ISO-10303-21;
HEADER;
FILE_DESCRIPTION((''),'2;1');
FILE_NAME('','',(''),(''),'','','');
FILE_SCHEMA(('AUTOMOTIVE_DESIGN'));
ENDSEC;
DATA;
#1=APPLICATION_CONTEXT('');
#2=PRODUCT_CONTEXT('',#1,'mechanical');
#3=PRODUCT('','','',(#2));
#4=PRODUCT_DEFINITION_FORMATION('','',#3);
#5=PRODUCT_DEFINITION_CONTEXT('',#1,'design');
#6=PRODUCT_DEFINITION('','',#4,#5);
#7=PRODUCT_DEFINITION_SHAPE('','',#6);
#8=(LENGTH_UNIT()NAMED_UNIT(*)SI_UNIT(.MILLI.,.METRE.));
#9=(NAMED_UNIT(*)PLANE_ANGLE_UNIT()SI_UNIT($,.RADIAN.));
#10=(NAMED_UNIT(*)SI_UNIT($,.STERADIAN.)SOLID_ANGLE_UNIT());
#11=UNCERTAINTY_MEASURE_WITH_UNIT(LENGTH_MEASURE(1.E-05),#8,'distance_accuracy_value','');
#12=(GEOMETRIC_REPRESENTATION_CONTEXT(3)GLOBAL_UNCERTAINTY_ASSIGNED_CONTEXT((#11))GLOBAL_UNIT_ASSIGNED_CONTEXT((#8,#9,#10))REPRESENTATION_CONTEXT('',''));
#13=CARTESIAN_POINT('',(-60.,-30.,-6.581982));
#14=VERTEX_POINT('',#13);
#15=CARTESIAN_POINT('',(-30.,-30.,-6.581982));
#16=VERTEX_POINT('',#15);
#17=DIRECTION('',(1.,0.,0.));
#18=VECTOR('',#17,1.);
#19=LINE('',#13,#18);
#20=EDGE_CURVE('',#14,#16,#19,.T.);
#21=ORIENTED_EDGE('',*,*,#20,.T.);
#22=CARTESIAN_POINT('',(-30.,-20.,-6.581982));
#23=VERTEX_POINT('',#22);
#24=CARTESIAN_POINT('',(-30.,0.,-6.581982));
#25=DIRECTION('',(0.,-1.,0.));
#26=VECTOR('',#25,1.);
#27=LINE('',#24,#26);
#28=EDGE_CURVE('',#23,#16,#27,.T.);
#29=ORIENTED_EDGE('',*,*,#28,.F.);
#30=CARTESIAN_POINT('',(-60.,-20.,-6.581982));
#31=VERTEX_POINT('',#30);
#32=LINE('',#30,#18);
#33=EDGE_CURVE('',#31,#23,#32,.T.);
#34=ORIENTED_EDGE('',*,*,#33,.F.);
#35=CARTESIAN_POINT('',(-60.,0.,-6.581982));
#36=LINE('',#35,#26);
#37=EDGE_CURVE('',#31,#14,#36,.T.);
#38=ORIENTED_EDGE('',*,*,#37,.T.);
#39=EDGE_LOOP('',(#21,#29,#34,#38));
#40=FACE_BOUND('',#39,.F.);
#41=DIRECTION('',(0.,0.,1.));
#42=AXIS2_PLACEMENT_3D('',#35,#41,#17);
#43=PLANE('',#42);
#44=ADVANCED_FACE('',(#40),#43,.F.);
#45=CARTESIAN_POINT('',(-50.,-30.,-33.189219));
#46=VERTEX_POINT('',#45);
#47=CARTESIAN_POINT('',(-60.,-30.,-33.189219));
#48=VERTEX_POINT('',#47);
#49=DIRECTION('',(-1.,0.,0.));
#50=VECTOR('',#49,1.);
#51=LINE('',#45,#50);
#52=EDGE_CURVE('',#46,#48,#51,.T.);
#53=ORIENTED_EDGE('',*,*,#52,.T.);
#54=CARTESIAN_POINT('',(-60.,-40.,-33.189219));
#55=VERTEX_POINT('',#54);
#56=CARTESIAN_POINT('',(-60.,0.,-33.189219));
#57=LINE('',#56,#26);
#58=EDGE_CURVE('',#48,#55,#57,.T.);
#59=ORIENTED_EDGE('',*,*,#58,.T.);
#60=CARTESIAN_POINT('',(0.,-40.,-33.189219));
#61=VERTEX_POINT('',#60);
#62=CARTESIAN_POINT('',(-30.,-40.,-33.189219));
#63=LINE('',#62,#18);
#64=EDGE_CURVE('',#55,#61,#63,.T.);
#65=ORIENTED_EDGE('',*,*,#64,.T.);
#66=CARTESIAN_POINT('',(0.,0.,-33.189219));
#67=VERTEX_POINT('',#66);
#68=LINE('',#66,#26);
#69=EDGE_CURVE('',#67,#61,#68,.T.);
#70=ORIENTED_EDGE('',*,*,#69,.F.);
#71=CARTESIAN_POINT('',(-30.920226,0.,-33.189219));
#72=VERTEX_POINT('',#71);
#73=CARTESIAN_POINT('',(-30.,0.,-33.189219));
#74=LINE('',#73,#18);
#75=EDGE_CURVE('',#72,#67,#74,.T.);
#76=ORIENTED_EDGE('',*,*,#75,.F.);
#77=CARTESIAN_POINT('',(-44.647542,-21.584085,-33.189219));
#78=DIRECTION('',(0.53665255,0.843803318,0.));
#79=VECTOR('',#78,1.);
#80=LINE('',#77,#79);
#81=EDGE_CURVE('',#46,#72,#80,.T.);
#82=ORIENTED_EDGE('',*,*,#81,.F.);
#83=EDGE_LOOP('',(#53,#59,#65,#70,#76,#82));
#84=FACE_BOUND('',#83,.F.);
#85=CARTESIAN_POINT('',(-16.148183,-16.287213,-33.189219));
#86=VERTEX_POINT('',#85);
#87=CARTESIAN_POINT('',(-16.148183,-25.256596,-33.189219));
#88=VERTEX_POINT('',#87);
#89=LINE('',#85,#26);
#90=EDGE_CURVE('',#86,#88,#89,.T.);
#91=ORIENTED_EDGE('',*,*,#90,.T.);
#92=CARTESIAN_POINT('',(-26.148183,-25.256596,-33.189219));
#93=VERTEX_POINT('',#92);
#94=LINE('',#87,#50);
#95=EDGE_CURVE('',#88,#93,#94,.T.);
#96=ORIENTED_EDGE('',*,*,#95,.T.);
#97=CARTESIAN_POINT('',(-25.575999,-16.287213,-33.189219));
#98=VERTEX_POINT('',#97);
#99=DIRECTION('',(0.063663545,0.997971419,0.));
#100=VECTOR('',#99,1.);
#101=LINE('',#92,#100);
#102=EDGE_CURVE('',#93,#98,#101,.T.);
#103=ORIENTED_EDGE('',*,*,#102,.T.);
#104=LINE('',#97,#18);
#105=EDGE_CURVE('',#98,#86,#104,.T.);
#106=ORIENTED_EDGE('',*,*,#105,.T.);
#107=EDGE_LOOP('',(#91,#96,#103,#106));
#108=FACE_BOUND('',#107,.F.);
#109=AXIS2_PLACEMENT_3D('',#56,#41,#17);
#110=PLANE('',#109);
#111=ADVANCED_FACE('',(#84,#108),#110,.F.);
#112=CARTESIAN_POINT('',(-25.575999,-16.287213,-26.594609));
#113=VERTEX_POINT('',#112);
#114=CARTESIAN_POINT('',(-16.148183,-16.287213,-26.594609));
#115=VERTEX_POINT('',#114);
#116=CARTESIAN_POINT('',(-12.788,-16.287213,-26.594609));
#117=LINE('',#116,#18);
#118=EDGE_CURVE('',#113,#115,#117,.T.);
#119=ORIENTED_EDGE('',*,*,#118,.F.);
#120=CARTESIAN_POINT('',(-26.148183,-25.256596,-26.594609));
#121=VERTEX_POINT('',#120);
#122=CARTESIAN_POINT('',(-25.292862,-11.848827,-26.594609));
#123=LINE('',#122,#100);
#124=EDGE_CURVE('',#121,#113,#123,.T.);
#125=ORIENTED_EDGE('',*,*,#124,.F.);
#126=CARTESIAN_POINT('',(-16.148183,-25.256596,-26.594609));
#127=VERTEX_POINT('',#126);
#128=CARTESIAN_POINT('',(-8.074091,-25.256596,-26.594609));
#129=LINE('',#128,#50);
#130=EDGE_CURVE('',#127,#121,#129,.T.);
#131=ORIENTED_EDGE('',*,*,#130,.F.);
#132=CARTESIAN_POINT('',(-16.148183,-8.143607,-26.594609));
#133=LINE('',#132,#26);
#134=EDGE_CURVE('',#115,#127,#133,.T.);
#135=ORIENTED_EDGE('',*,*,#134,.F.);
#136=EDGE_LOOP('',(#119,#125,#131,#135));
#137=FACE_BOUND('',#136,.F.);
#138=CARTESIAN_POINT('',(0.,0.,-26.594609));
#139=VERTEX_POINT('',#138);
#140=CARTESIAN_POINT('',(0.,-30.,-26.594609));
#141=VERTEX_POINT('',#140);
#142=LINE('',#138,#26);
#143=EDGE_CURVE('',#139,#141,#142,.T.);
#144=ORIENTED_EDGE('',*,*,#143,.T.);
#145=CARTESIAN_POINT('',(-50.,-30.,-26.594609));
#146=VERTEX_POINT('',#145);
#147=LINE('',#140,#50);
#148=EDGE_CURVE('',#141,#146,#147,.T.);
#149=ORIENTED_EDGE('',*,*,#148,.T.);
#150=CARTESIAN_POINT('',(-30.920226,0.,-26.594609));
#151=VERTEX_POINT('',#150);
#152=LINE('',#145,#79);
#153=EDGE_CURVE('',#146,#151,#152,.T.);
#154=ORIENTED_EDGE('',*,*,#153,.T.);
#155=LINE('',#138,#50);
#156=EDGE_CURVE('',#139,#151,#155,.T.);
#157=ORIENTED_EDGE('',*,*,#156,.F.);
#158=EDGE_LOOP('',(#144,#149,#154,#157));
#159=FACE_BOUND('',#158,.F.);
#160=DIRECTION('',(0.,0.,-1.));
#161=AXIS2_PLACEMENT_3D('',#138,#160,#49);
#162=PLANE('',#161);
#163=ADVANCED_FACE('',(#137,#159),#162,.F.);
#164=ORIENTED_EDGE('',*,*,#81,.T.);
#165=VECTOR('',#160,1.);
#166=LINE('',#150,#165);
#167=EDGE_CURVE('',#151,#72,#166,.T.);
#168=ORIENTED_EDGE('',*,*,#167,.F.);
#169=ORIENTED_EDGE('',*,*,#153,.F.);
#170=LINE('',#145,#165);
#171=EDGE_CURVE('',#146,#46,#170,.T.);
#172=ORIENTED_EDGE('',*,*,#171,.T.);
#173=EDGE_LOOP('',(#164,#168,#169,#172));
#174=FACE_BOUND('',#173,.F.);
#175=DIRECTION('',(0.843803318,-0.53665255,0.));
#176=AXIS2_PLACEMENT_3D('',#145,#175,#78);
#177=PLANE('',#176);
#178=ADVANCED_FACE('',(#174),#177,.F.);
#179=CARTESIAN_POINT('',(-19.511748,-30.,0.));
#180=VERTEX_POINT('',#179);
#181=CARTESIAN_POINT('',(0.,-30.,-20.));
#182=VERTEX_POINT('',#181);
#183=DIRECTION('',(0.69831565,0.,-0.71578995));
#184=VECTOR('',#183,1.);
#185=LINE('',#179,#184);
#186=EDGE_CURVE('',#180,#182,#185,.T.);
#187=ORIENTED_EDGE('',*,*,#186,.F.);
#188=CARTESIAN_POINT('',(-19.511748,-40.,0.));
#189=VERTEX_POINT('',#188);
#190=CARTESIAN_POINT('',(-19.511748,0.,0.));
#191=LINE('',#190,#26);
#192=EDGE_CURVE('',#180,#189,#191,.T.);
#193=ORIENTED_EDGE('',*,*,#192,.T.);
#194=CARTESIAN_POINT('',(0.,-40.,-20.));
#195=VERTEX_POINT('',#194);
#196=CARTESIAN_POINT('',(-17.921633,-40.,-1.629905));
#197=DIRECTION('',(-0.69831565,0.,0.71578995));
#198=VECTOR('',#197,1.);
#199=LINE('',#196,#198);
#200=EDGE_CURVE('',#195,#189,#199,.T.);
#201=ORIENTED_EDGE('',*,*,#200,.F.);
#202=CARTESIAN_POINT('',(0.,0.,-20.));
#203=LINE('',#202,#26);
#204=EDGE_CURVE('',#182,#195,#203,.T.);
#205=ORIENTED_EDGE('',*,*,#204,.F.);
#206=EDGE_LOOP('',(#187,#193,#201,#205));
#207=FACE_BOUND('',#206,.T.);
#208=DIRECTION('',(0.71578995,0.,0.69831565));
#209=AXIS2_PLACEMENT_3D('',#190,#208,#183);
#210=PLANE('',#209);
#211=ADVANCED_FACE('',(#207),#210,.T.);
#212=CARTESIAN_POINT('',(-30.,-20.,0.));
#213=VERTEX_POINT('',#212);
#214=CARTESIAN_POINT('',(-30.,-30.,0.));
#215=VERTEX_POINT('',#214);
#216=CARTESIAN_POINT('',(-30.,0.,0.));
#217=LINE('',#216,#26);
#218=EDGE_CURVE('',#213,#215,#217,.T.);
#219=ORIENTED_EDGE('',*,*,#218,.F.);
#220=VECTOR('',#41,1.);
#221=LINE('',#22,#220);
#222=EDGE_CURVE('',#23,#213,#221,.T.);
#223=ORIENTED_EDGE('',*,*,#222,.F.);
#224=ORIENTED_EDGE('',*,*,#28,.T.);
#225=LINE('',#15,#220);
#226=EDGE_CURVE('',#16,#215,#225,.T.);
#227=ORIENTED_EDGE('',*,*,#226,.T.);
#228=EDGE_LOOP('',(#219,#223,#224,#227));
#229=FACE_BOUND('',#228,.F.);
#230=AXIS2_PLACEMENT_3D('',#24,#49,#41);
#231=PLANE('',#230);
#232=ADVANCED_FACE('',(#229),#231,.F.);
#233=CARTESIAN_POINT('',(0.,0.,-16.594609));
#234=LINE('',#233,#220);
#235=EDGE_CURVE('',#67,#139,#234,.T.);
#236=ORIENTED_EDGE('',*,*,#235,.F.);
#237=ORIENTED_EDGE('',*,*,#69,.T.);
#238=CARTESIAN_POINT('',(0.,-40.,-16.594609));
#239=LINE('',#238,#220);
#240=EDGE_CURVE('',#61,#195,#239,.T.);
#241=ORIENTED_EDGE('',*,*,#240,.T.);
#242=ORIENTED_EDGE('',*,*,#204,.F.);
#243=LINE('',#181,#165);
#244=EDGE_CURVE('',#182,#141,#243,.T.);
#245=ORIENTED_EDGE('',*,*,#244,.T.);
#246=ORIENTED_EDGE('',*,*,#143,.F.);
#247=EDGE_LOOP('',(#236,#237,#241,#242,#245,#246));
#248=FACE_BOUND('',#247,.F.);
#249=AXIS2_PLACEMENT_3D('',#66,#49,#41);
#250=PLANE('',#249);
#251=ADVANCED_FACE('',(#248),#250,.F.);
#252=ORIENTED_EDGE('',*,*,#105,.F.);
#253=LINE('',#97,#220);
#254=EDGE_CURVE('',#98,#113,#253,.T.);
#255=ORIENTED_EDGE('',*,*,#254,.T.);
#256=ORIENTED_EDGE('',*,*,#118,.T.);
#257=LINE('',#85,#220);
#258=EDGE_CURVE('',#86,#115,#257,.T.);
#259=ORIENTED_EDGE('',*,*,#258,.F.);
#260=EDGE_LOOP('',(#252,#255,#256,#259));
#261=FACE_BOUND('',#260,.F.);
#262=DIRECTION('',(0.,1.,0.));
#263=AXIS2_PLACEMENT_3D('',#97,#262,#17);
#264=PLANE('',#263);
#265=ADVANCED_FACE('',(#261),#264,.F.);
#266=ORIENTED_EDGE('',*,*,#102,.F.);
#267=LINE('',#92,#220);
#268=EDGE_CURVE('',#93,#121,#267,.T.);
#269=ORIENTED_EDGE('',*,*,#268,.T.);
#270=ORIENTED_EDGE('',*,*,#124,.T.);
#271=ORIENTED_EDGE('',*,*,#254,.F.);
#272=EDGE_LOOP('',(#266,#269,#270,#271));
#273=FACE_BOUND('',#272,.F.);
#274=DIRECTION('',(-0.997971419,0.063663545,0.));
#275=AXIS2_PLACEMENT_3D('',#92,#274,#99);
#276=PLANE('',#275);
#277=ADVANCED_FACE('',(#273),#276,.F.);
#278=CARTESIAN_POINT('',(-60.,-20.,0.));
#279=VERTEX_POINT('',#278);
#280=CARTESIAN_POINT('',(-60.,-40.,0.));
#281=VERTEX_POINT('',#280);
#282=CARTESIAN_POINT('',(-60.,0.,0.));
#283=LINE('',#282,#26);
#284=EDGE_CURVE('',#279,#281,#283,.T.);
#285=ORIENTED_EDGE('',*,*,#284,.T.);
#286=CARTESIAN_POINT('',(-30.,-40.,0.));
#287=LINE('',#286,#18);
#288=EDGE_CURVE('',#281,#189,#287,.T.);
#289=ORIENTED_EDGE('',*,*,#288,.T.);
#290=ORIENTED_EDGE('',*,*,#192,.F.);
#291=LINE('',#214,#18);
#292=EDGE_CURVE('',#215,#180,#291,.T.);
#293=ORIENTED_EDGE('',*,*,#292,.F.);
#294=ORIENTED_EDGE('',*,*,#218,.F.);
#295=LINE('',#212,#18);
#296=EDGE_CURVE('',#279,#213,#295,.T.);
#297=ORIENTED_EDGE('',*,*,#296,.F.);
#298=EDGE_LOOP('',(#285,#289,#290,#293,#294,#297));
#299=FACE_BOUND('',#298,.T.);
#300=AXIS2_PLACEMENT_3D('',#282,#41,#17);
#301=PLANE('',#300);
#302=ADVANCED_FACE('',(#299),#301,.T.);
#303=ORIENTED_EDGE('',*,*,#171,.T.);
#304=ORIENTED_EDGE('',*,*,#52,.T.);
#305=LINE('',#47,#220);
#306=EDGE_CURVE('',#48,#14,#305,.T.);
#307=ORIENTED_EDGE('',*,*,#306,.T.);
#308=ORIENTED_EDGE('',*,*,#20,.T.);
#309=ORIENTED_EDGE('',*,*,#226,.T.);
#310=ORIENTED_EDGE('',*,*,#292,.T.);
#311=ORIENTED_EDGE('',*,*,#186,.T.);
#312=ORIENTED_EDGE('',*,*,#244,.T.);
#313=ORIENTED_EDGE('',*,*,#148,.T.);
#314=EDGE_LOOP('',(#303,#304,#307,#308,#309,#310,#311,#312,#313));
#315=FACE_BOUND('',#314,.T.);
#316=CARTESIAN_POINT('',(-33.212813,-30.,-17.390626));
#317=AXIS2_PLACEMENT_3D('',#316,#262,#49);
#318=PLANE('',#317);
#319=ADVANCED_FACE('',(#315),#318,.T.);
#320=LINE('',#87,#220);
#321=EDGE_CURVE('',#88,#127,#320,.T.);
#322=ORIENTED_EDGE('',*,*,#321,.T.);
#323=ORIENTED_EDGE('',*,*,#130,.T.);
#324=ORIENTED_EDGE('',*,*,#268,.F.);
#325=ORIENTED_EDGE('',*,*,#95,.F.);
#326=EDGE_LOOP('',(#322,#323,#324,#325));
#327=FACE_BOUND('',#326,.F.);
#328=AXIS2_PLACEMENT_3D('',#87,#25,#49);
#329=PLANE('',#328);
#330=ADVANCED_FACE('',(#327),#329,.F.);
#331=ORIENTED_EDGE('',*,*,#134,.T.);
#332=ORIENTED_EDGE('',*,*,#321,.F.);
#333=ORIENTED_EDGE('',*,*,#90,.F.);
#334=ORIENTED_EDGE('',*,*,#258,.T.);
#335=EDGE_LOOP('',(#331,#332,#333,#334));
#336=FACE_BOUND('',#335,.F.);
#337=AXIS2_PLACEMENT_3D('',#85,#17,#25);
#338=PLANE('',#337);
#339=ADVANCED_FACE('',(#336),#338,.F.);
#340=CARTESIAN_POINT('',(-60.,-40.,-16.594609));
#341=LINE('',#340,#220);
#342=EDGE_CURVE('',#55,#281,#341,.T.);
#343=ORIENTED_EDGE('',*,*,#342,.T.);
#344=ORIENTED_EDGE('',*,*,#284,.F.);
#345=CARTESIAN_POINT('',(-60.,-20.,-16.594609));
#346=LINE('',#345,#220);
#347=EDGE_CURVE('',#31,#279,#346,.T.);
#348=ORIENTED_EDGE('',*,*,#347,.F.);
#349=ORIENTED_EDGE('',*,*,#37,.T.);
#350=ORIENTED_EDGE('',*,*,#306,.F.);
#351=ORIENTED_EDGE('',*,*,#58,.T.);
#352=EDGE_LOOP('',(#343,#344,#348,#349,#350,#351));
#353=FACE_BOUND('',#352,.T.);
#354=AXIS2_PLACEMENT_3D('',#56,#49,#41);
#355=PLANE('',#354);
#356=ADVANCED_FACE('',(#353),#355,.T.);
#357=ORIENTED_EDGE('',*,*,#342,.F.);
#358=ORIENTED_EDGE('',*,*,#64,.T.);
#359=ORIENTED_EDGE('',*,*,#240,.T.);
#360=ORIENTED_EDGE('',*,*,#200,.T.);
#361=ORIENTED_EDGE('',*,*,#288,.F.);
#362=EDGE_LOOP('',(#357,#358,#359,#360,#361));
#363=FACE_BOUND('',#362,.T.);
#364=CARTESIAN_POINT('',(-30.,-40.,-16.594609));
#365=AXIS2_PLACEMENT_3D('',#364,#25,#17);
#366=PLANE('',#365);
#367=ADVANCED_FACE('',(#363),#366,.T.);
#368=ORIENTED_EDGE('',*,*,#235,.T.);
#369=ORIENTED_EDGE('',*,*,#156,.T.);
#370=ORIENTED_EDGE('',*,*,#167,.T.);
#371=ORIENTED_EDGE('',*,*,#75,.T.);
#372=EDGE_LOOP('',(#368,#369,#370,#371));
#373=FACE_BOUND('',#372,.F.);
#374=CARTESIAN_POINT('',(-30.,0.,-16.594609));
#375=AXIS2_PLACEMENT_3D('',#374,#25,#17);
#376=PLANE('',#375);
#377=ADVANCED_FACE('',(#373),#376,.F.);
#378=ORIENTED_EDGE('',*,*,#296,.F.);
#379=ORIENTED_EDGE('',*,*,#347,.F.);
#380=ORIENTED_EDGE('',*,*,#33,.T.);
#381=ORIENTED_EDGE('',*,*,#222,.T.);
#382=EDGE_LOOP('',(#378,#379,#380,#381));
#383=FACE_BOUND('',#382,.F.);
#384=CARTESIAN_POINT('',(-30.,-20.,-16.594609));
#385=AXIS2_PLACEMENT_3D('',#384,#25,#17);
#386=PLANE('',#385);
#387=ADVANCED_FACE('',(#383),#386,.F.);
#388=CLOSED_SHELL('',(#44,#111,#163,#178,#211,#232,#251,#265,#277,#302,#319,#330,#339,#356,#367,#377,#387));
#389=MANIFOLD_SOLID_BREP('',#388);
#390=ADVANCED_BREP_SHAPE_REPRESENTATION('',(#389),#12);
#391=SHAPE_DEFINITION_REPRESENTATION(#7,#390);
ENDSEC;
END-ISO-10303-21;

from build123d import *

# Parameters (mm, degrees)
F0_W      = 60
F0_H      = 33.1892187767
F1_DEPTH  = 40
F3_DEPTH  = 41.91
F5_DEPTH  = 30
F6_DEPTH  = 20
F8_DEPTH  = 25.4
F10_DEPTH = 25.4


with BuildPart() as f1:
    # F0 (on Front) → F1 (new body)
    with BuildSketch(Plane.XZ):
        with Locations((-30, -16.5946093883)):
            Rectangle(F0_W, F0_H)
    extrude(amount=F1_DEPTH)

    # F2 (on Front) → F3 (cut)
    with BuildSketch(Plane.XZ):
        Polygon((0, -20), (0, 0), (-19.5117478243, 0), align=None)
    extrude(amount=F3_DEPTH, mode=Mode.SUBTRACT)

    # F4 (on face) → F5 (cut)
    with BuildSketch(Plane(origin=(0, 0, 0), x_dir=(-1, 0, 0), z_dir=(0, 1, 0))):
        Polygon((0, -20), (0, -26.5946093883), (50, -26.5946093883), (50, -33.1892187767), (60, -33.1892187767), (60, -6.581982132), (30, -6.581982132), (30, 0), (19.5117478243, 0), align=None)
    extrude(amount=-F5_DEPTH, mode=Mode.SUBTRACT)

    # F6 (cut): a face of the model
    f6_faces = [f1.faces().sort_by_distance(p)[0] for p in [
        (-45, 0, -3.290991066),
    ]]
    extrude(f6_faces, amount=-F6_DEPTH, mode=Mode.SUBTRACT)

    # F7 (on face) → F8 (cut)
    with BuildSketch(Plane.XY.offset(-26.5946093883)):
        Polygon((-50, 0), (-50, -30), (-30.9202261269, 0), align=None)
    extrude(amount=-F8_DEPTH, mode=Mode.SUBTRACT)

    # F9 (on face) → F10 (cut)
    with BuildSketch(Plane(origin=(0, 0, -33.1892187767), x_dir=(1, 0, 0), z_dir=(0, 0, -1))):
        Polygon((-25.575999478, 16.2872133739), (-16.1481829174, 16.2872133739), (-16.1481829174, 25.2565963231), (-26.1481829174, 25.2565963231), align=None)
    extrude(amount=-F10_DEPTH, mode=Mode.SUBTRACT)


solid = f1.part
